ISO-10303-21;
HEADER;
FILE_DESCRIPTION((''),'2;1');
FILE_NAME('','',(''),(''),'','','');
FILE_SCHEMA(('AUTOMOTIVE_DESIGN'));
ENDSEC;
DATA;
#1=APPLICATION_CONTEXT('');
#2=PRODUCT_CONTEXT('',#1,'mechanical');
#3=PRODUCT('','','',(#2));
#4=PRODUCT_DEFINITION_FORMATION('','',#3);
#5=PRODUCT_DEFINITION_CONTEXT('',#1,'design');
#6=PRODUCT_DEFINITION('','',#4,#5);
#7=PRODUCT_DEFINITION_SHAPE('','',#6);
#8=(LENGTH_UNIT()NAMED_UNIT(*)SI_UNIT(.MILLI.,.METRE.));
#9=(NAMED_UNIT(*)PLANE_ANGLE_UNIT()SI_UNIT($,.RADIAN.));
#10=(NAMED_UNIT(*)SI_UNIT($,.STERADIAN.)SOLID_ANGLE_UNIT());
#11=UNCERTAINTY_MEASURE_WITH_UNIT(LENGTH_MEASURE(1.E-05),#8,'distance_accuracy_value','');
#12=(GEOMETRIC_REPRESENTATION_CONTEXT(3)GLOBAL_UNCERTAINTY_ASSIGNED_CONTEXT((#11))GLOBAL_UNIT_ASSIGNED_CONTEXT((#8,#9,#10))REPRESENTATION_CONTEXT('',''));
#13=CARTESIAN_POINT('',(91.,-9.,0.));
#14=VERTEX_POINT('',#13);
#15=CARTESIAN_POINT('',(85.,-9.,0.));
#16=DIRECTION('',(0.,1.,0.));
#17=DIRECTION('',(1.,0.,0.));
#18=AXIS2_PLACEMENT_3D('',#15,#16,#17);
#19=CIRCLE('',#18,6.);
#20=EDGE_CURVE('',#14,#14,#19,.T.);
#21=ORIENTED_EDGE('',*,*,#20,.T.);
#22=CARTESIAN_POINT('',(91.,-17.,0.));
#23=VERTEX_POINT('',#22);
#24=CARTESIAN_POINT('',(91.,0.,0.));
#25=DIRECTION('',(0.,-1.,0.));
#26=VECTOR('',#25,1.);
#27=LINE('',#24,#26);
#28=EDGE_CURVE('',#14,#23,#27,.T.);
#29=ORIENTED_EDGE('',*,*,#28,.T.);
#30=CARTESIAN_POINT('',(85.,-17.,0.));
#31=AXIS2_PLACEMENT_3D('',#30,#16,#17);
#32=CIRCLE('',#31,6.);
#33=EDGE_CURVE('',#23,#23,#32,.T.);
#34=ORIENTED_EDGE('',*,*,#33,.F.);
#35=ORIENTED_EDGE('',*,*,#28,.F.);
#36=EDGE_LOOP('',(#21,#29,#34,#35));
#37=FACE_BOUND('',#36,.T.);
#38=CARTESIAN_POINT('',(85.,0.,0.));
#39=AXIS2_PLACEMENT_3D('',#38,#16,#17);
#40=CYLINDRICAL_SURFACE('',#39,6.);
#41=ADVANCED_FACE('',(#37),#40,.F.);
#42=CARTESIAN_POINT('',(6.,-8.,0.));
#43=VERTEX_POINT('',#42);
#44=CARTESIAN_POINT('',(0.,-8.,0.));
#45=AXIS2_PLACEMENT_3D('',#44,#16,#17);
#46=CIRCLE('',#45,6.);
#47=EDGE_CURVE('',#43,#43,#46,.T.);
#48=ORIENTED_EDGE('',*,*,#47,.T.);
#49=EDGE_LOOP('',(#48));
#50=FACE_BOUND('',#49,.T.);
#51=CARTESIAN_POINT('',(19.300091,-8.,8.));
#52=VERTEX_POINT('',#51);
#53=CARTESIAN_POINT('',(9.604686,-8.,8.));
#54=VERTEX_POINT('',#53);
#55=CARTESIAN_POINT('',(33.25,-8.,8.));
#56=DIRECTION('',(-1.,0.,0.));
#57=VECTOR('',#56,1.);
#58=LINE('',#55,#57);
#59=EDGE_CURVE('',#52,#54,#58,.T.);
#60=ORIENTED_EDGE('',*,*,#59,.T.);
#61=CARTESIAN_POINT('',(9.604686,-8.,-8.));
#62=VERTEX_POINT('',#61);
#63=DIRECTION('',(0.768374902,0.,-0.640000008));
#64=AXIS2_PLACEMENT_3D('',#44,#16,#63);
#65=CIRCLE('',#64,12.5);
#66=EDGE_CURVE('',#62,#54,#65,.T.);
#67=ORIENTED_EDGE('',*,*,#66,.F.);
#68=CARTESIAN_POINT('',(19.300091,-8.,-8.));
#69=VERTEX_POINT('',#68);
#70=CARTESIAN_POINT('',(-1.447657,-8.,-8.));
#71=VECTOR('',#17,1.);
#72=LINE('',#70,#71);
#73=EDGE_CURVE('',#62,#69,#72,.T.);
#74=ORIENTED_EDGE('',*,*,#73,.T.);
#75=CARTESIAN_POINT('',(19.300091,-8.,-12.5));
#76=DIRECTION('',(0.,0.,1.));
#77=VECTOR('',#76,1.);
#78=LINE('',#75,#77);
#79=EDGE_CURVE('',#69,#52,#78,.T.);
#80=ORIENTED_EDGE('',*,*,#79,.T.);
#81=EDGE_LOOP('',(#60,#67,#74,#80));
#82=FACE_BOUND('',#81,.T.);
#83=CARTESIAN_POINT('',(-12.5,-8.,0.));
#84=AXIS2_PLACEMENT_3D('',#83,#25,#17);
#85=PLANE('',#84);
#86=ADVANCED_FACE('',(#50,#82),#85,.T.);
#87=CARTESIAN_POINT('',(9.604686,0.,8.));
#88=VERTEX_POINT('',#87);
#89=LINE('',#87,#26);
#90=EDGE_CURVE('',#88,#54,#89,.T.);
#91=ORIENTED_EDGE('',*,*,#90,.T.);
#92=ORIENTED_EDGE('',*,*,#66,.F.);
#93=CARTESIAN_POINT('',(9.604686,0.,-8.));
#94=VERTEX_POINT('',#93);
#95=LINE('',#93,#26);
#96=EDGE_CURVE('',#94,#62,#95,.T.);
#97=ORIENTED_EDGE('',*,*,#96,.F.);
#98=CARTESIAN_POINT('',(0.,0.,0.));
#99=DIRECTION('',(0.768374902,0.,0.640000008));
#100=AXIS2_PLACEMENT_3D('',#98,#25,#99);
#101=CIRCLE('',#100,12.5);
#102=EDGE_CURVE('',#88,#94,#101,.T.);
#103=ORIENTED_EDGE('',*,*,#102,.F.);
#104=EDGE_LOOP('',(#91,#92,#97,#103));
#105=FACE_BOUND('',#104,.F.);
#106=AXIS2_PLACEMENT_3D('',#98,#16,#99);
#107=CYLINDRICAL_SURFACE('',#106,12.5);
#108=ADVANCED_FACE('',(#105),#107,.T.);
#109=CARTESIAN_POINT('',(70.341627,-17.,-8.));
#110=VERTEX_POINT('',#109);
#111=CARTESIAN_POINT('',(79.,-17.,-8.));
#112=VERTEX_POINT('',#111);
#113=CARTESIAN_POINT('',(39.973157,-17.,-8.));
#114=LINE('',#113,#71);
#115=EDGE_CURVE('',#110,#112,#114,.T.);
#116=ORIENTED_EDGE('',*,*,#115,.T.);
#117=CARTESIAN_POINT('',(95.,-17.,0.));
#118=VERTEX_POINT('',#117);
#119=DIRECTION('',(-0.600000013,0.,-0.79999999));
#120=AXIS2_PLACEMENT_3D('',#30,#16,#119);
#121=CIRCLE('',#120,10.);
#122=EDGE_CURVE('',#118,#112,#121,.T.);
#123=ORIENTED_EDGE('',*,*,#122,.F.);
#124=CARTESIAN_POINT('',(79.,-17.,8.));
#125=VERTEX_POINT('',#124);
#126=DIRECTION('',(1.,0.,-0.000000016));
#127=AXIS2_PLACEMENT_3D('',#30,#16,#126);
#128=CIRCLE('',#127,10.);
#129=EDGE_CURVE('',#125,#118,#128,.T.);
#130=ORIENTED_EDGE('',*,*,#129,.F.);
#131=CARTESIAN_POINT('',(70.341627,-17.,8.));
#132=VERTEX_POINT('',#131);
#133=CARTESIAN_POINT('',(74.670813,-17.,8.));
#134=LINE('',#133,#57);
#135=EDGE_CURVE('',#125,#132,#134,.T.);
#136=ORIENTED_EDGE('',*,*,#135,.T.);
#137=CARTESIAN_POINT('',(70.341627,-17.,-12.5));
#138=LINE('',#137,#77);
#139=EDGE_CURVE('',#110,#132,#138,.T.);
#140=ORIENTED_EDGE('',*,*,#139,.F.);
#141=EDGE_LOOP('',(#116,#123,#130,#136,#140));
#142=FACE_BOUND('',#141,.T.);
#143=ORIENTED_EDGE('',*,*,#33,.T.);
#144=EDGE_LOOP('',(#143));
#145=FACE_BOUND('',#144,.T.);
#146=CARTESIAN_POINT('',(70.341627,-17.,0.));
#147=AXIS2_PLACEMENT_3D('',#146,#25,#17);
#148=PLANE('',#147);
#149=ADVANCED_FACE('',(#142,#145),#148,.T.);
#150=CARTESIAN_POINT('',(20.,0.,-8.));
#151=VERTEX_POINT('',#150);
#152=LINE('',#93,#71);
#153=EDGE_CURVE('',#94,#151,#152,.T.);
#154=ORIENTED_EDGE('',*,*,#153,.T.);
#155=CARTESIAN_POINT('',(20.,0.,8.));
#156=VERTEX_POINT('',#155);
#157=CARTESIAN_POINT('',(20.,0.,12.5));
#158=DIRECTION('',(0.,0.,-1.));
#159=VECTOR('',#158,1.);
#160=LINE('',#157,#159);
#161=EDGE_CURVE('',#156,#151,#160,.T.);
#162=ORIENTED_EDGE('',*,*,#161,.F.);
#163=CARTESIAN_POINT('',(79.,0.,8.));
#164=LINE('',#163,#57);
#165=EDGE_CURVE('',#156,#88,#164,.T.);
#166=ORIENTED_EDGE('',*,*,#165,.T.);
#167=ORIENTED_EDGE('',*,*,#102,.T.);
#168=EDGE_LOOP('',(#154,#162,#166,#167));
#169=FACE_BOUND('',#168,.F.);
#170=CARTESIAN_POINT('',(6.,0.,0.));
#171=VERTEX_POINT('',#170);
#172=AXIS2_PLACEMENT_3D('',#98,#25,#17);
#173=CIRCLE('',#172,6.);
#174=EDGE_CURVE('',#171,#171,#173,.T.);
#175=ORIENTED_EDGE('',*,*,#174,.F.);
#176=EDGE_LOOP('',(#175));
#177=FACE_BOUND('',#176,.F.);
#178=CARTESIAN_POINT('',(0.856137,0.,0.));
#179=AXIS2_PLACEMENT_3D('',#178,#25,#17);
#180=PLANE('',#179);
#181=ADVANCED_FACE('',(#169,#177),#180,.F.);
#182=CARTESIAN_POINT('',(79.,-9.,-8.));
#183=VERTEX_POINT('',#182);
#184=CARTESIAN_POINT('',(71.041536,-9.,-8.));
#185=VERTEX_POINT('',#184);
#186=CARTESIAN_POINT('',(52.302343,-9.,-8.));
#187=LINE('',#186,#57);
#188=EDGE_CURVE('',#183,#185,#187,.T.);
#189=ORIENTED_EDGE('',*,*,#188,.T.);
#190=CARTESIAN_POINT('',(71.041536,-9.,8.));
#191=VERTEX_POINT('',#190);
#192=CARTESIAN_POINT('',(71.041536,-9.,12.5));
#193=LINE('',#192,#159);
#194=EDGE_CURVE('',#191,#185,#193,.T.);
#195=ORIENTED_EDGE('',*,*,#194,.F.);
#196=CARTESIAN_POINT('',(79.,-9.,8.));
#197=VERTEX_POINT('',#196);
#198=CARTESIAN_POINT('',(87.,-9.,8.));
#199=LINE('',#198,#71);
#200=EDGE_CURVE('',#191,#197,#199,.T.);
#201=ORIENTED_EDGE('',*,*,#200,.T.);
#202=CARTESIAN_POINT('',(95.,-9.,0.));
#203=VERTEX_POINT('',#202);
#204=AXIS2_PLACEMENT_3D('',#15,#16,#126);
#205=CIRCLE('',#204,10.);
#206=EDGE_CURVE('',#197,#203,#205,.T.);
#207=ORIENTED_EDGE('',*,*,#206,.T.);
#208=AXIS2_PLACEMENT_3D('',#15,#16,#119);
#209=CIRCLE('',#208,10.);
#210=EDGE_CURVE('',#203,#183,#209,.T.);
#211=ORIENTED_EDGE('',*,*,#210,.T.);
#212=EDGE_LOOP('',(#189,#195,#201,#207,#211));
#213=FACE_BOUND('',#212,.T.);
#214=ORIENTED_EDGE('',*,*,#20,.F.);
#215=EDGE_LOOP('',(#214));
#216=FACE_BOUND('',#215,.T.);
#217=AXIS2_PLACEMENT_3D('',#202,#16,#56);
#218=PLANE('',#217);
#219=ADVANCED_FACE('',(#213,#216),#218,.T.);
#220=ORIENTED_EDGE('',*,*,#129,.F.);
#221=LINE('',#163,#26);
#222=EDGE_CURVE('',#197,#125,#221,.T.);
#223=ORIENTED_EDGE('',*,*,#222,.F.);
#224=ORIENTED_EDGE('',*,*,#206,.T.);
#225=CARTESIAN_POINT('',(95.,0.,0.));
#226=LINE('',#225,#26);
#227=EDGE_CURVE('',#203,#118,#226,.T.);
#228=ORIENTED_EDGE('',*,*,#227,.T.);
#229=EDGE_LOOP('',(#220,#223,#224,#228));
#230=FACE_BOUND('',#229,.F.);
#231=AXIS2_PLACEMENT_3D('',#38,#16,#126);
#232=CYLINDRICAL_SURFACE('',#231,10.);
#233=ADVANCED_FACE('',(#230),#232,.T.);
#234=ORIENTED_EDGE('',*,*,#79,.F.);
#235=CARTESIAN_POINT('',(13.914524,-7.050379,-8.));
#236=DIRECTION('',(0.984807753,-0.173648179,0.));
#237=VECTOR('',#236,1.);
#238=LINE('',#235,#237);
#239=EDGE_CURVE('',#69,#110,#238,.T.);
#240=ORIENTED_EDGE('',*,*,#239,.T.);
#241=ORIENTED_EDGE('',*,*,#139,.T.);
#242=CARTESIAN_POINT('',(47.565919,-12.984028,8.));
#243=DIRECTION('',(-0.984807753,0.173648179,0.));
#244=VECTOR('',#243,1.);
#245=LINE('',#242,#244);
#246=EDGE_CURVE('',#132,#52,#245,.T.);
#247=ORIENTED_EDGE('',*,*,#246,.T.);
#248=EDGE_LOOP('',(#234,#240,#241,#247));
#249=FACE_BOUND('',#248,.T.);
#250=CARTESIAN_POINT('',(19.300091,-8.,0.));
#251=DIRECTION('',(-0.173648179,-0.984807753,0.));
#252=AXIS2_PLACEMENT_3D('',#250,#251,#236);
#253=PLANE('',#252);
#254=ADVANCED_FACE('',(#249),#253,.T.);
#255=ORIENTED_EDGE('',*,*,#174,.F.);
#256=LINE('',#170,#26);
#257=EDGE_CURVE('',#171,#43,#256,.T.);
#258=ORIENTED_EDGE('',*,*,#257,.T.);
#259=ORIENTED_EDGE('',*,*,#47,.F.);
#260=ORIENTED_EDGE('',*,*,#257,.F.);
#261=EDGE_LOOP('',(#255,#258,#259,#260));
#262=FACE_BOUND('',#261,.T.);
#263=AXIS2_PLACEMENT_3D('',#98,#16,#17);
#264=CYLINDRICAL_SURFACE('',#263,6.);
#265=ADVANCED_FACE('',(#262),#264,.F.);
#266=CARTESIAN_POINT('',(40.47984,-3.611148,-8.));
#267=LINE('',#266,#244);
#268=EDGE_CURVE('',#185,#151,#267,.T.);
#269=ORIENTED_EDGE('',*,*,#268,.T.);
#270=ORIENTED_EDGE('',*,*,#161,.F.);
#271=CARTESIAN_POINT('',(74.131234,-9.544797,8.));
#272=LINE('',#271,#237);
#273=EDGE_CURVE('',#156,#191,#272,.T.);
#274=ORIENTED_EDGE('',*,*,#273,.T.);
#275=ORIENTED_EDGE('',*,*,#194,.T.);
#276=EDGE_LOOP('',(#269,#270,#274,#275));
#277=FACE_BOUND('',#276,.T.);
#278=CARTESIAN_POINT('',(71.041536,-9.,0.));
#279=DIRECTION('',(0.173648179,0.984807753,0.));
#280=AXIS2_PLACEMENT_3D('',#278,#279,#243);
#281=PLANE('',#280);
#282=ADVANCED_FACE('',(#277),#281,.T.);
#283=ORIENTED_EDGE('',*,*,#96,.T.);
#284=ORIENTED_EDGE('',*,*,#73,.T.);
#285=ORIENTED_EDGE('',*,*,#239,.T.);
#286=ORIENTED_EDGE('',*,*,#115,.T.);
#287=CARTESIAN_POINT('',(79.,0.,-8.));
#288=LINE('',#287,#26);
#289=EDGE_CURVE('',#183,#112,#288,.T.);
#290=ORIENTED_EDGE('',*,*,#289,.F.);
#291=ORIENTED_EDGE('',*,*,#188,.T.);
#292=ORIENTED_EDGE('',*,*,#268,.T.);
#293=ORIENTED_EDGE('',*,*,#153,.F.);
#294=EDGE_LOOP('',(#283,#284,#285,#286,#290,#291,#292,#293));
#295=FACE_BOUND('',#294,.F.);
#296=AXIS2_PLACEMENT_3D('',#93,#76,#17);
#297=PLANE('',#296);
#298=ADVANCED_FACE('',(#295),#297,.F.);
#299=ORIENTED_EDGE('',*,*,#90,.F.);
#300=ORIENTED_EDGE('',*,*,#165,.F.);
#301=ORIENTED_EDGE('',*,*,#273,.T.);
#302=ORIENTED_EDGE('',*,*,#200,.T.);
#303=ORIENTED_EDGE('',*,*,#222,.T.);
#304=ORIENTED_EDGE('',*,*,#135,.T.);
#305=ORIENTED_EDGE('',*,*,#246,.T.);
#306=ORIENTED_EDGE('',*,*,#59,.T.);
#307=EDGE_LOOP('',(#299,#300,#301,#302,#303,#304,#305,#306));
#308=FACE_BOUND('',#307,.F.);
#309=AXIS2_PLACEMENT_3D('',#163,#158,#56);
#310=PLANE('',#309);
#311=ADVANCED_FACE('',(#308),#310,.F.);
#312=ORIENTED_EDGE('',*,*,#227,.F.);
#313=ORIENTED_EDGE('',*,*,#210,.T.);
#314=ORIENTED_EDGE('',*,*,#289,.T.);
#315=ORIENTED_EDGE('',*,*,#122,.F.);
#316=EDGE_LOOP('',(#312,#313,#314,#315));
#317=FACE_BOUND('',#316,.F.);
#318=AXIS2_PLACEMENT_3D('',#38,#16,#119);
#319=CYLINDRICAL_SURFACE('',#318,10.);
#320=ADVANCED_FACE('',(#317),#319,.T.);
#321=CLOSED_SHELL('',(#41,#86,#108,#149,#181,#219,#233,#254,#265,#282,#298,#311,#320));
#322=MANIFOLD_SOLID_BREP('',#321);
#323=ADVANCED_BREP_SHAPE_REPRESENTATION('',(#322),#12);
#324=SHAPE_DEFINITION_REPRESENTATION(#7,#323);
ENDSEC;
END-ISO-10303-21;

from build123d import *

# Parameters (mm, degrees)
F0_R     = 6
F1_DEPTH = 25
F3_DEPTH = 12.5


with BuildPart() as f1:
    # F0 (on Front) → F1 (new body)
    with BuildSketch(Plane.XZ):
        with BuildLine():
            ThreePointArc((9.604686, -8), (11.753905, -4.253905), (12.5, 0))
            ThreePointArc((12.5, 0), (11.753905, 4.253905), (9.604686, 8))
            ThreePointArc((9.604686, 8), (-12.5, 0), (9.604686, -8))
        make_face()
        Circle(F0_R, mode=Mode.SUBTRACT)
        with BuildLine():
            ThreePointArc((9.604686, 8), (11.753905, 4.253905), (12.5, 0))
            ThreePointArc((12.5, 0), (11.753905, -4.253905), (9.604686, -8))
            Line((9.604686, -8), (79, -8))
            ThreePointArc((79, -8), (75, 0), (79, 8))
            Line((79, 8), (9.604686, 8))
        make_face()
        with BuildLine():
            ThreePointArc((95, 0), (89.472136, 8.944272), (79, 8))
            ThreePointArc((79, 8), (75, 0), (79, -8))
            ThreePointArc((79, -8), (89.472136, -8.944272), (95, 0))
        make_face()
        with Locations((85, 0)):
            Circle(F0_R, mode=Mode.SUBTRACT)
    extrude(amount=F1_DEPTH)

    # F2 (on Top) → F3 (intersect, symmetric)
    with BuildSketch(Plane.XY):
        Polygon((20, 0), (0, 0), (-12.5, 0), (-12.5, -8), (0, -8), (19.300091, -8), (70.341627, -17), (95, -17), (95, -9), (71.041536, -9), align=None)
    extrude(amount=F3_DEPTH, both=True, mode=Mode.INTERSECT)


solid = f1.part
